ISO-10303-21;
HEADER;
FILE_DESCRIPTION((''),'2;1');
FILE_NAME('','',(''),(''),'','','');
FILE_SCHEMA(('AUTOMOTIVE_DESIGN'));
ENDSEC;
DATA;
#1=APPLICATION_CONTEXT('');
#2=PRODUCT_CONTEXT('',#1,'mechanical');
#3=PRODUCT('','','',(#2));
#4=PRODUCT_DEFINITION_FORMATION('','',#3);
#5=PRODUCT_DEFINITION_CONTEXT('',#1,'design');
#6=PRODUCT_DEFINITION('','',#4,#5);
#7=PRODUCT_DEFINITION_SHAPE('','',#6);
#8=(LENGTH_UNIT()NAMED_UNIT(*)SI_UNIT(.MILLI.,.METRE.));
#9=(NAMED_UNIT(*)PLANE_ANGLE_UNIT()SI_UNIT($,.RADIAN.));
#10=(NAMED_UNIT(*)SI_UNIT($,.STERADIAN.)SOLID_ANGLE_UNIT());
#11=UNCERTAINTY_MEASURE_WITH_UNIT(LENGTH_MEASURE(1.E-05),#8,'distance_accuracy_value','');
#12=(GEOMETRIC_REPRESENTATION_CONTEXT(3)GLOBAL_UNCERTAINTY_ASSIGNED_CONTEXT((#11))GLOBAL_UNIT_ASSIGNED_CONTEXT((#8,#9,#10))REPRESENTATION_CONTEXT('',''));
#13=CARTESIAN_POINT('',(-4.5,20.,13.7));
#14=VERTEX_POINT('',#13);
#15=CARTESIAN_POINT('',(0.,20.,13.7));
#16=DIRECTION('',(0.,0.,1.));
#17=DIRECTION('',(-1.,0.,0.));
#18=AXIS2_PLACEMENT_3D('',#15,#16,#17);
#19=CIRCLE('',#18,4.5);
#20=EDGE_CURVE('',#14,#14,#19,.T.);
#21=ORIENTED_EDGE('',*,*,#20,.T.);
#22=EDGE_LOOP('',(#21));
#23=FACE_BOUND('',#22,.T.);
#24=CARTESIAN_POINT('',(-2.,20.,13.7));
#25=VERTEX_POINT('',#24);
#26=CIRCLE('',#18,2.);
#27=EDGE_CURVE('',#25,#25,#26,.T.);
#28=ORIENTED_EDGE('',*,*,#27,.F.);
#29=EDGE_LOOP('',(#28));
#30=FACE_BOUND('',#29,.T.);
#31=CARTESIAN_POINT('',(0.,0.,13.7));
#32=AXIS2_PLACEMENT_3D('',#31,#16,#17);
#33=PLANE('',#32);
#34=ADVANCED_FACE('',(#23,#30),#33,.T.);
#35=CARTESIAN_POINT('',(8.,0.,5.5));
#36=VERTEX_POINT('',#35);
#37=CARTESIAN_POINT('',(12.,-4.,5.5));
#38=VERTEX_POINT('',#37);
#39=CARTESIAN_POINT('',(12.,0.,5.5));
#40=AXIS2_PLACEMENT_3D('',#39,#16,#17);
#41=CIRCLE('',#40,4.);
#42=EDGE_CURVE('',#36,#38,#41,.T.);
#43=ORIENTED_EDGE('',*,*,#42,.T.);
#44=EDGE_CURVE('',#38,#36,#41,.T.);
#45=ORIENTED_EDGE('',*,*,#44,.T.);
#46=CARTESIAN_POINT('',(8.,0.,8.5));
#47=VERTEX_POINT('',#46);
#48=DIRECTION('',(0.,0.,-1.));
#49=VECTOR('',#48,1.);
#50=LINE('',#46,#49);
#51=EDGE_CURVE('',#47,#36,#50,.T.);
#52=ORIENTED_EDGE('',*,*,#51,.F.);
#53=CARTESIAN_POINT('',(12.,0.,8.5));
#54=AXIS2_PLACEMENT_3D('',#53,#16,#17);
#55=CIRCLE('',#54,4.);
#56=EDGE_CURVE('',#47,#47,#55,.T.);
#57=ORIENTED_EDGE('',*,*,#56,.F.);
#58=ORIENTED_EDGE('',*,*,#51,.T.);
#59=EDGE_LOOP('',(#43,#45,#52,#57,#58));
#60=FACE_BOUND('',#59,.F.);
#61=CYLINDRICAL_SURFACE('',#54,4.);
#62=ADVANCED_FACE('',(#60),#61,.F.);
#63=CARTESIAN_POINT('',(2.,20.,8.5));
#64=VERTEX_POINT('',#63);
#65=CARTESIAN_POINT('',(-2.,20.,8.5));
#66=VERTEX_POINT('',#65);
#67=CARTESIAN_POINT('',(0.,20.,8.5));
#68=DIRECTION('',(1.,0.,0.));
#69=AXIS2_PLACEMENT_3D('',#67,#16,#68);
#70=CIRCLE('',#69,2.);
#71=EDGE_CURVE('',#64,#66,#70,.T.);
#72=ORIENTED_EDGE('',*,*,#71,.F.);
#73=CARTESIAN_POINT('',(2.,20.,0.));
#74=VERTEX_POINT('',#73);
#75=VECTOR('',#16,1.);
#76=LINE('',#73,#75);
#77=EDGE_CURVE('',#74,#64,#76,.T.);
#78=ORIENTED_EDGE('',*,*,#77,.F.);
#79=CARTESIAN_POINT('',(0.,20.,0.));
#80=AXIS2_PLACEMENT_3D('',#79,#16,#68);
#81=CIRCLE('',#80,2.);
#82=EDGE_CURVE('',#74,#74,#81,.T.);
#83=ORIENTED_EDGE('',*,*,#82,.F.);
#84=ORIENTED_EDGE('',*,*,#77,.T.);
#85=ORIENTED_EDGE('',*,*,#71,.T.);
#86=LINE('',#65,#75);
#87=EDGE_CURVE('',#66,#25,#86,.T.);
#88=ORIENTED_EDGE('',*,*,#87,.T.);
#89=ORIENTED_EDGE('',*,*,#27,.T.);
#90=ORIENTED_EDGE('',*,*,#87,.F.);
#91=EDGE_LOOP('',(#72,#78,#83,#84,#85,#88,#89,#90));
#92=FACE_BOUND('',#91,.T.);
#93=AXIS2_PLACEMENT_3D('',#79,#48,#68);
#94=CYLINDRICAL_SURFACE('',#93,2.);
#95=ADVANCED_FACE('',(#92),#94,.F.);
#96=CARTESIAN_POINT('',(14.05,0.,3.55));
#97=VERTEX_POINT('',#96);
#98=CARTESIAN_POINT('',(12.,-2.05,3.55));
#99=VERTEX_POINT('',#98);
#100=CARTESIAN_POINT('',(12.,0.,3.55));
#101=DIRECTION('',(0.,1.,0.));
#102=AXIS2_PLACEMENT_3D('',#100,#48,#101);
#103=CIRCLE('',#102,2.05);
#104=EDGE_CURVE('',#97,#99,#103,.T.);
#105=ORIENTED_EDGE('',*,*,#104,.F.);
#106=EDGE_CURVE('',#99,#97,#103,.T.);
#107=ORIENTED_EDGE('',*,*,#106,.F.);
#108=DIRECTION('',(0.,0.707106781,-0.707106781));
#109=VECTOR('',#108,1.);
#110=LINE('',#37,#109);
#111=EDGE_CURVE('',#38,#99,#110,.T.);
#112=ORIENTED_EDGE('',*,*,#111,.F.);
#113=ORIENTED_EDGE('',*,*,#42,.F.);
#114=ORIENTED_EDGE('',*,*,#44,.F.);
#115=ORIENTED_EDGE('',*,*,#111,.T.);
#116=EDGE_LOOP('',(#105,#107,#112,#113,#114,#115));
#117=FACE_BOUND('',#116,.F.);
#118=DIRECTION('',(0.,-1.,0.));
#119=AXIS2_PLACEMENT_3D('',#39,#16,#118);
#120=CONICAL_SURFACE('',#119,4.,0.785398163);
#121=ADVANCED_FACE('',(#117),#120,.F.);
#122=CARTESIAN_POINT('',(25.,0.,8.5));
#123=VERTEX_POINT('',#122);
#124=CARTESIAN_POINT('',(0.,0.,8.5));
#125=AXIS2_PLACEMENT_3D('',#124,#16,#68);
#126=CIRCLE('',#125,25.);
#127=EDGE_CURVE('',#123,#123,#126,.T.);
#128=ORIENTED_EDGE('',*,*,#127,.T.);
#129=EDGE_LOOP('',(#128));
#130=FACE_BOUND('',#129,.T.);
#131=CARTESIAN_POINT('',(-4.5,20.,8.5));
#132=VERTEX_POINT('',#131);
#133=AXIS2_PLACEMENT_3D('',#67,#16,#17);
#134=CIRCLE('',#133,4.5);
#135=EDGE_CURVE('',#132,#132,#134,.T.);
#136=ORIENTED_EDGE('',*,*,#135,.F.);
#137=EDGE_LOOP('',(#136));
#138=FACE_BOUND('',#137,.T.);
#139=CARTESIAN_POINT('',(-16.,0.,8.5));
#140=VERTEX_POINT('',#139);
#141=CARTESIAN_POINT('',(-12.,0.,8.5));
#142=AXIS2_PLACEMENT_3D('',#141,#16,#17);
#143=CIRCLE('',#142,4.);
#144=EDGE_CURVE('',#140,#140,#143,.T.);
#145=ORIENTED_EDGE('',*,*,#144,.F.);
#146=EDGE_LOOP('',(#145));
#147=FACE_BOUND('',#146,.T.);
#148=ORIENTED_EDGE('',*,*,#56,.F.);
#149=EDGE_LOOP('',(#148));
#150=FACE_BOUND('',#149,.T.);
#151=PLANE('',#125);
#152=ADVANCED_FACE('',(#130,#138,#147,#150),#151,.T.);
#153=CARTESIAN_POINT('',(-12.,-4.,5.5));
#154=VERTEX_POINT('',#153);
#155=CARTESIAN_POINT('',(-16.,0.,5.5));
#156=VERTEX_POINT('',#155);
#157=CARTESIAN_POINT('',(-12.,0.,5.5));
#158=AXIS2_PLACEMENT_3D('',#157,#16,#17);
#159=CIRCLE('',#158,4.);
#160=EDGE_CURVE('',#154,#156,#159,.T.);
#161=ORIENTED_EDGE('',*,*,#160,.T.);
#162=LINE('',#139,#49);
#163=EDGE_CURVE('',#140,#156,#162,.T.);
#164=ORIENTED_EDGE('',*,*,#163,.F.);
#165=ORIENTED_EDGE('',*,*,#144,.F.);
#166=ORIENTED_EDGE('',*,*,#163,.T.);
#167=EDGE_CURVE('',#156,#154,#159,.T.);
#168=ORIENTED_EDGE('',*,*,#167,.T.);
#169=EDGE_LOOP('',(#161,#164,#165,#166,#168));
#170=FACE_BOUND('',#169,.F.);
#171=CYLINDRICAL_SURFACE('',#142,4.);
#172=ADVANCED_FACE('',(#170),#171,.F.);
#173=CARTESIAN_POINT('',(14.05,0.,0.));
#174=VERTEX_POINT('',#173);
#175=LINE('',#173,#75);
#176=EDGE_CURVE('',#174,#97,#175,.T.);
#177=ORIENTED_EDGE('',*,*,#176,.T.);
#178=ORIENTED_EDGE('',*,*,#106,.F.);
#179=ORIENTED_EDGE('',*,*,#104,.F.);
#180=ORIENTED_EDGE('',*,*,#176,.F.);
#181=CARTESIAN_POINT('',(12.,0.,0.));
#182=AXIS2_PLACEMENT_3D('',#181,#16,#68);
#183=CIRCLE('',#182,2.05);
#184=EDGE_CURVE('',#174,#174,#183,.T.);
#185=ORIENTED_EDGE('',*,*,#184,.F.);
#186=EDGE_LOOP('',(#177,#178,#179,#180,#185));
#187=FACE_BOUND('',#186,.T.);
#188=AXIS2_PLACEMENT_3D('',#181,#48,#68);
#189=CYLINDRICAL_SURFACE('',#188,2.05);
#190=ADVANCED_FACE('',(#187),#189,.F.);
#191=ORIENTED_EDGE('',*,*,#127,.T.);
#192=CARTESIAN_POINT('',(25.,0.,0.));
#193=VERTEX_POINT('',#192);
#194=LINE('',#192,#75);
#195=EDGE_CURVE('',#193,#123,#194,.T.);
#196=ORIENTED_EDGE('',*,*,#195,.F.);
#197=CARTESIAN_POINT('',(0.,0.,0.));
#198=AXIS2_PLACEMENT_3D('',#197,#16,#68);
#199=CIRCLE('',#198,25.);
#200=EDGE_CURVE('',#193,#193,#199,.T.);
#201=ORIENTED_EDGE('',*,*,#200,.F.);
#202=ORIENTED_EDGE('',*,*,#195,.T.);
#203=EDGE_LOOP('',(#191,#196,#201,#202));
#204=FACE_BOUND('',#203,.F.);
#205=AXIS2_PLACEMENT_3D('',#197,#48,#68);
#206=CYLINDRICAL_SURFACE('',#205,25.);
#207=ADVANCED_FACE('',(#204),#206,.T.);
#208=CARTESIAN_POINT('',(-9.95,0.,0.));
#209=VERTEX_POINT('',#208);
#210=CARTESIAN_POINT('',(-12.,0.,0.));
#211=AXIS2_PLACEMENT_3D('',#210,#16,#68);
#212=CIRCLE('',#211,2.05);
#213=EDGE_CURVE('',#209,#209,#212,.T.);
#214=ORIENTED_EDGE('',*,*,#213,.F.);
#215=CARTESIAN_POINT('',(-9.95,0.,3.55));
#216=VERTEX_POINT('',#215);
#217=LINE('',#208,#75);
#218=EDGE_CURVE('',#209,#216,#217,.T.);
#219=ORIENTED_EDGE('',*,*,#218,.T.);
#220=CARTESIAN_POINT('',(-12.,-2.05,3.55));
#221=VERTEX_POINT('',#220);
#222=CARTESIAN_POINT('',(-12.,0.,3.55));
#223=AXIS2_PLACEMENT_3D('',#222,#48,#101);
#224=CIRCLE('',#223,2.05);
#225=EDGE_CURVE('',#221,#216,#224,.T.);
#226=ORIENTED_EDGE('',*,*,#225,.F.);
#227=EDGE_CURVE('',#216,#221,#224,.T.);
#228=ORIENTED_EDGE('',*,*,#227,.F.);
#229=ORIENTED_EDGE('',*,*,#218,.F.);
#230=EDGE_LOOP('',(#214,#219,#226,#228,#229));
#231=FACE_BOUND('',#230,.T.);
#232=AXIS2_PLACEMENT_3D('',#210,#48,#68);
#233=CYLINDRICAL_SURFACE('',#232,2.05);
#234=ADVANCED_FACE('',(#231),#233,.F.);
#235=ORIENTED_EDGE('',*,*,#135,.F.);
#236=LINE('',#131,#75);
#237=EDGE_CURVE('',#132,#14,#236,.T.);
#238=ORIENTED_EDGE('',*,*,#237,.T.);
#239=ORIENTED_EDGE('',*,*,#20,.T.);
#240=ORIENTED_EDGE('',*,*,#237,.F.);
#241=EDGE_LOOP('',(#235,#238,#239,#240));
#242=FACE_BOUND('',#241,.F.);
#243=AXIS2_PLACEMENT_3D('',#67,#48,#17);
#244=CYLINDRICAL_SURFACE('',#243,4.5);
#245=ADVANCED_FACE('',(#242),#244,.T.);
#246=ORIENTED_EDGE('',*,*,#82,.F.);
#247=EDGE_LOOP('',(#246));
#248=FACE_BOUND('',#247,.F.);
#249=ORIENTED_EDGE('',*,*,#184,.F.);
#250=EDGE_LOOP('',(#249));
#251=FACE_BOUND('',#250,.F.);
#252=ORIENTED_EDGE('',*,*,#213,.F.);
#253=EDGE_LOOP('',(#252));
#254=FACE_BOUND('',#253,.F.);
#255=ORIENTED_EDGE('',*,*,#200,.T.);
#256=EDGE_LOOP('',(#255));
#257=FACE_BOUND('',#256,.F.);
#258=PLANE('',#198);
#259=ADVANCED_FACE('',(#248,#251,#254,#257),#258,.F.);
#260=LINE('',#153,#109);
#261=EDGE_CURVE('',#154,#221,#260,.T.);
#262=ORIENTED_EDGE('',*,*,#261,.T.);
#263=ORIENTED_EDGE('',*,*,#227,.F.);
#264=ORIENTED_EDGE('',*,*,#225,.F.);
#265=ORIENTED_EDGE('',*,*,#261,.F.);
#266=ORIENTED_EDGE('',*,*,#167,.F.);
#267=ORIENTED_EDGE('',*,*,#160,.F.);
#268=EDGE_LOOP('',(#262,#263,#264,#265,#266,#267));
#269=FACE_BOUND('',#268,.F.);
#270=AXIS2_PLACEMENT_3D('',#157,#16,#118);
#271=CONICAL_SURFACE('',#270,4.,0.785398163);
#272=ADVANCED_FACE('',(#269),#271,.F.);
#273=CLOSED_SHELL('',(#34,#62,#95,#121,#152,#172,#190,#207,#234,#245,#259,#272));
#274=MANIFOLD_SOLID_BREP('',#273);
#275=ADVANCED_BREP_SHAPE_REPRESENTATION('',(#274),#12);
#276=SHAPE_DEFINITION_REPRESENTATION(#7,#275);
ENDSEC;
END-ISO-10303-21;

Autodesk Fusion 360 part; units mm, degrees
sketch "Esquisse1" plane through (0, 0, 0) normal (0, 0, 1) x (1, 0, 0)
  circle A0 centre (0, 0) radius 25
  circle A1 centre (-12, 0) radius 2.05
  circle A2 centre (12, 0) radius 2.05
  circle A3 centre (0, 20) radius 2
  dimension "d1" = 50
  dimension "d2" = 4.1
  dimension "d3" = 4.1
  dimension "d4" = 24
  dimension "d5" = 12
  dimension "d6" = 4
  dimension "d7" = 20
extrude "Extrusion1" add sketch "Esquisse1" along normal blind 8.5
sketch "Esquisse2" plane through (0, 0, 8.5) normal (0, 0, 1) x (-1, 0, 0)
  circle A0 centre (0, -20) radius 2
  circle A1 centre (-12, 0) radius 2.05
  circle A2 centre (12, 0) radius 2.05
  circle A3 centre (0, 0) radius 25
  circle A4 centre (0, -20) radius 4.5
  dimension "d10" = 9
extrude "Extrusion2" add sketch "Esquisse2" along normal blind 5.2 contours A4
sketch "Esquisse3" plane through (0, 0, 8.5) normal (0, 0, 1) x (-1, 0, 0)
  circle A0 centre (0, -20) radius 4.5
  circle A1 centre (-12, 0) radius 2.05
  circle A2 centre (12, 0) radius 2.05
  circle A3 centre (0, 0) radius 25
  circle A4 centre (12, 0) radius 4
  circle A5 centre (-12, 0) radius 4
  dimension "d13" = 8
  dimension "d14" = 8
extrude "Extrusion3" cut sketch "Esquisse3" against normal blind 3 contours A4 | A5
hole "Perçage1" at (-12, 0, 5.5) direction (0, 0, -1) diameter 4 depth 10 tip angle 118 countersink diameter 8 countersink angle 90
hole "Perçage2" at (12, 0, 5.5) direction (0, 0, -1) diameter 4 depth 10 tip angle 118 countersink diameter 8 countersink angle 90
